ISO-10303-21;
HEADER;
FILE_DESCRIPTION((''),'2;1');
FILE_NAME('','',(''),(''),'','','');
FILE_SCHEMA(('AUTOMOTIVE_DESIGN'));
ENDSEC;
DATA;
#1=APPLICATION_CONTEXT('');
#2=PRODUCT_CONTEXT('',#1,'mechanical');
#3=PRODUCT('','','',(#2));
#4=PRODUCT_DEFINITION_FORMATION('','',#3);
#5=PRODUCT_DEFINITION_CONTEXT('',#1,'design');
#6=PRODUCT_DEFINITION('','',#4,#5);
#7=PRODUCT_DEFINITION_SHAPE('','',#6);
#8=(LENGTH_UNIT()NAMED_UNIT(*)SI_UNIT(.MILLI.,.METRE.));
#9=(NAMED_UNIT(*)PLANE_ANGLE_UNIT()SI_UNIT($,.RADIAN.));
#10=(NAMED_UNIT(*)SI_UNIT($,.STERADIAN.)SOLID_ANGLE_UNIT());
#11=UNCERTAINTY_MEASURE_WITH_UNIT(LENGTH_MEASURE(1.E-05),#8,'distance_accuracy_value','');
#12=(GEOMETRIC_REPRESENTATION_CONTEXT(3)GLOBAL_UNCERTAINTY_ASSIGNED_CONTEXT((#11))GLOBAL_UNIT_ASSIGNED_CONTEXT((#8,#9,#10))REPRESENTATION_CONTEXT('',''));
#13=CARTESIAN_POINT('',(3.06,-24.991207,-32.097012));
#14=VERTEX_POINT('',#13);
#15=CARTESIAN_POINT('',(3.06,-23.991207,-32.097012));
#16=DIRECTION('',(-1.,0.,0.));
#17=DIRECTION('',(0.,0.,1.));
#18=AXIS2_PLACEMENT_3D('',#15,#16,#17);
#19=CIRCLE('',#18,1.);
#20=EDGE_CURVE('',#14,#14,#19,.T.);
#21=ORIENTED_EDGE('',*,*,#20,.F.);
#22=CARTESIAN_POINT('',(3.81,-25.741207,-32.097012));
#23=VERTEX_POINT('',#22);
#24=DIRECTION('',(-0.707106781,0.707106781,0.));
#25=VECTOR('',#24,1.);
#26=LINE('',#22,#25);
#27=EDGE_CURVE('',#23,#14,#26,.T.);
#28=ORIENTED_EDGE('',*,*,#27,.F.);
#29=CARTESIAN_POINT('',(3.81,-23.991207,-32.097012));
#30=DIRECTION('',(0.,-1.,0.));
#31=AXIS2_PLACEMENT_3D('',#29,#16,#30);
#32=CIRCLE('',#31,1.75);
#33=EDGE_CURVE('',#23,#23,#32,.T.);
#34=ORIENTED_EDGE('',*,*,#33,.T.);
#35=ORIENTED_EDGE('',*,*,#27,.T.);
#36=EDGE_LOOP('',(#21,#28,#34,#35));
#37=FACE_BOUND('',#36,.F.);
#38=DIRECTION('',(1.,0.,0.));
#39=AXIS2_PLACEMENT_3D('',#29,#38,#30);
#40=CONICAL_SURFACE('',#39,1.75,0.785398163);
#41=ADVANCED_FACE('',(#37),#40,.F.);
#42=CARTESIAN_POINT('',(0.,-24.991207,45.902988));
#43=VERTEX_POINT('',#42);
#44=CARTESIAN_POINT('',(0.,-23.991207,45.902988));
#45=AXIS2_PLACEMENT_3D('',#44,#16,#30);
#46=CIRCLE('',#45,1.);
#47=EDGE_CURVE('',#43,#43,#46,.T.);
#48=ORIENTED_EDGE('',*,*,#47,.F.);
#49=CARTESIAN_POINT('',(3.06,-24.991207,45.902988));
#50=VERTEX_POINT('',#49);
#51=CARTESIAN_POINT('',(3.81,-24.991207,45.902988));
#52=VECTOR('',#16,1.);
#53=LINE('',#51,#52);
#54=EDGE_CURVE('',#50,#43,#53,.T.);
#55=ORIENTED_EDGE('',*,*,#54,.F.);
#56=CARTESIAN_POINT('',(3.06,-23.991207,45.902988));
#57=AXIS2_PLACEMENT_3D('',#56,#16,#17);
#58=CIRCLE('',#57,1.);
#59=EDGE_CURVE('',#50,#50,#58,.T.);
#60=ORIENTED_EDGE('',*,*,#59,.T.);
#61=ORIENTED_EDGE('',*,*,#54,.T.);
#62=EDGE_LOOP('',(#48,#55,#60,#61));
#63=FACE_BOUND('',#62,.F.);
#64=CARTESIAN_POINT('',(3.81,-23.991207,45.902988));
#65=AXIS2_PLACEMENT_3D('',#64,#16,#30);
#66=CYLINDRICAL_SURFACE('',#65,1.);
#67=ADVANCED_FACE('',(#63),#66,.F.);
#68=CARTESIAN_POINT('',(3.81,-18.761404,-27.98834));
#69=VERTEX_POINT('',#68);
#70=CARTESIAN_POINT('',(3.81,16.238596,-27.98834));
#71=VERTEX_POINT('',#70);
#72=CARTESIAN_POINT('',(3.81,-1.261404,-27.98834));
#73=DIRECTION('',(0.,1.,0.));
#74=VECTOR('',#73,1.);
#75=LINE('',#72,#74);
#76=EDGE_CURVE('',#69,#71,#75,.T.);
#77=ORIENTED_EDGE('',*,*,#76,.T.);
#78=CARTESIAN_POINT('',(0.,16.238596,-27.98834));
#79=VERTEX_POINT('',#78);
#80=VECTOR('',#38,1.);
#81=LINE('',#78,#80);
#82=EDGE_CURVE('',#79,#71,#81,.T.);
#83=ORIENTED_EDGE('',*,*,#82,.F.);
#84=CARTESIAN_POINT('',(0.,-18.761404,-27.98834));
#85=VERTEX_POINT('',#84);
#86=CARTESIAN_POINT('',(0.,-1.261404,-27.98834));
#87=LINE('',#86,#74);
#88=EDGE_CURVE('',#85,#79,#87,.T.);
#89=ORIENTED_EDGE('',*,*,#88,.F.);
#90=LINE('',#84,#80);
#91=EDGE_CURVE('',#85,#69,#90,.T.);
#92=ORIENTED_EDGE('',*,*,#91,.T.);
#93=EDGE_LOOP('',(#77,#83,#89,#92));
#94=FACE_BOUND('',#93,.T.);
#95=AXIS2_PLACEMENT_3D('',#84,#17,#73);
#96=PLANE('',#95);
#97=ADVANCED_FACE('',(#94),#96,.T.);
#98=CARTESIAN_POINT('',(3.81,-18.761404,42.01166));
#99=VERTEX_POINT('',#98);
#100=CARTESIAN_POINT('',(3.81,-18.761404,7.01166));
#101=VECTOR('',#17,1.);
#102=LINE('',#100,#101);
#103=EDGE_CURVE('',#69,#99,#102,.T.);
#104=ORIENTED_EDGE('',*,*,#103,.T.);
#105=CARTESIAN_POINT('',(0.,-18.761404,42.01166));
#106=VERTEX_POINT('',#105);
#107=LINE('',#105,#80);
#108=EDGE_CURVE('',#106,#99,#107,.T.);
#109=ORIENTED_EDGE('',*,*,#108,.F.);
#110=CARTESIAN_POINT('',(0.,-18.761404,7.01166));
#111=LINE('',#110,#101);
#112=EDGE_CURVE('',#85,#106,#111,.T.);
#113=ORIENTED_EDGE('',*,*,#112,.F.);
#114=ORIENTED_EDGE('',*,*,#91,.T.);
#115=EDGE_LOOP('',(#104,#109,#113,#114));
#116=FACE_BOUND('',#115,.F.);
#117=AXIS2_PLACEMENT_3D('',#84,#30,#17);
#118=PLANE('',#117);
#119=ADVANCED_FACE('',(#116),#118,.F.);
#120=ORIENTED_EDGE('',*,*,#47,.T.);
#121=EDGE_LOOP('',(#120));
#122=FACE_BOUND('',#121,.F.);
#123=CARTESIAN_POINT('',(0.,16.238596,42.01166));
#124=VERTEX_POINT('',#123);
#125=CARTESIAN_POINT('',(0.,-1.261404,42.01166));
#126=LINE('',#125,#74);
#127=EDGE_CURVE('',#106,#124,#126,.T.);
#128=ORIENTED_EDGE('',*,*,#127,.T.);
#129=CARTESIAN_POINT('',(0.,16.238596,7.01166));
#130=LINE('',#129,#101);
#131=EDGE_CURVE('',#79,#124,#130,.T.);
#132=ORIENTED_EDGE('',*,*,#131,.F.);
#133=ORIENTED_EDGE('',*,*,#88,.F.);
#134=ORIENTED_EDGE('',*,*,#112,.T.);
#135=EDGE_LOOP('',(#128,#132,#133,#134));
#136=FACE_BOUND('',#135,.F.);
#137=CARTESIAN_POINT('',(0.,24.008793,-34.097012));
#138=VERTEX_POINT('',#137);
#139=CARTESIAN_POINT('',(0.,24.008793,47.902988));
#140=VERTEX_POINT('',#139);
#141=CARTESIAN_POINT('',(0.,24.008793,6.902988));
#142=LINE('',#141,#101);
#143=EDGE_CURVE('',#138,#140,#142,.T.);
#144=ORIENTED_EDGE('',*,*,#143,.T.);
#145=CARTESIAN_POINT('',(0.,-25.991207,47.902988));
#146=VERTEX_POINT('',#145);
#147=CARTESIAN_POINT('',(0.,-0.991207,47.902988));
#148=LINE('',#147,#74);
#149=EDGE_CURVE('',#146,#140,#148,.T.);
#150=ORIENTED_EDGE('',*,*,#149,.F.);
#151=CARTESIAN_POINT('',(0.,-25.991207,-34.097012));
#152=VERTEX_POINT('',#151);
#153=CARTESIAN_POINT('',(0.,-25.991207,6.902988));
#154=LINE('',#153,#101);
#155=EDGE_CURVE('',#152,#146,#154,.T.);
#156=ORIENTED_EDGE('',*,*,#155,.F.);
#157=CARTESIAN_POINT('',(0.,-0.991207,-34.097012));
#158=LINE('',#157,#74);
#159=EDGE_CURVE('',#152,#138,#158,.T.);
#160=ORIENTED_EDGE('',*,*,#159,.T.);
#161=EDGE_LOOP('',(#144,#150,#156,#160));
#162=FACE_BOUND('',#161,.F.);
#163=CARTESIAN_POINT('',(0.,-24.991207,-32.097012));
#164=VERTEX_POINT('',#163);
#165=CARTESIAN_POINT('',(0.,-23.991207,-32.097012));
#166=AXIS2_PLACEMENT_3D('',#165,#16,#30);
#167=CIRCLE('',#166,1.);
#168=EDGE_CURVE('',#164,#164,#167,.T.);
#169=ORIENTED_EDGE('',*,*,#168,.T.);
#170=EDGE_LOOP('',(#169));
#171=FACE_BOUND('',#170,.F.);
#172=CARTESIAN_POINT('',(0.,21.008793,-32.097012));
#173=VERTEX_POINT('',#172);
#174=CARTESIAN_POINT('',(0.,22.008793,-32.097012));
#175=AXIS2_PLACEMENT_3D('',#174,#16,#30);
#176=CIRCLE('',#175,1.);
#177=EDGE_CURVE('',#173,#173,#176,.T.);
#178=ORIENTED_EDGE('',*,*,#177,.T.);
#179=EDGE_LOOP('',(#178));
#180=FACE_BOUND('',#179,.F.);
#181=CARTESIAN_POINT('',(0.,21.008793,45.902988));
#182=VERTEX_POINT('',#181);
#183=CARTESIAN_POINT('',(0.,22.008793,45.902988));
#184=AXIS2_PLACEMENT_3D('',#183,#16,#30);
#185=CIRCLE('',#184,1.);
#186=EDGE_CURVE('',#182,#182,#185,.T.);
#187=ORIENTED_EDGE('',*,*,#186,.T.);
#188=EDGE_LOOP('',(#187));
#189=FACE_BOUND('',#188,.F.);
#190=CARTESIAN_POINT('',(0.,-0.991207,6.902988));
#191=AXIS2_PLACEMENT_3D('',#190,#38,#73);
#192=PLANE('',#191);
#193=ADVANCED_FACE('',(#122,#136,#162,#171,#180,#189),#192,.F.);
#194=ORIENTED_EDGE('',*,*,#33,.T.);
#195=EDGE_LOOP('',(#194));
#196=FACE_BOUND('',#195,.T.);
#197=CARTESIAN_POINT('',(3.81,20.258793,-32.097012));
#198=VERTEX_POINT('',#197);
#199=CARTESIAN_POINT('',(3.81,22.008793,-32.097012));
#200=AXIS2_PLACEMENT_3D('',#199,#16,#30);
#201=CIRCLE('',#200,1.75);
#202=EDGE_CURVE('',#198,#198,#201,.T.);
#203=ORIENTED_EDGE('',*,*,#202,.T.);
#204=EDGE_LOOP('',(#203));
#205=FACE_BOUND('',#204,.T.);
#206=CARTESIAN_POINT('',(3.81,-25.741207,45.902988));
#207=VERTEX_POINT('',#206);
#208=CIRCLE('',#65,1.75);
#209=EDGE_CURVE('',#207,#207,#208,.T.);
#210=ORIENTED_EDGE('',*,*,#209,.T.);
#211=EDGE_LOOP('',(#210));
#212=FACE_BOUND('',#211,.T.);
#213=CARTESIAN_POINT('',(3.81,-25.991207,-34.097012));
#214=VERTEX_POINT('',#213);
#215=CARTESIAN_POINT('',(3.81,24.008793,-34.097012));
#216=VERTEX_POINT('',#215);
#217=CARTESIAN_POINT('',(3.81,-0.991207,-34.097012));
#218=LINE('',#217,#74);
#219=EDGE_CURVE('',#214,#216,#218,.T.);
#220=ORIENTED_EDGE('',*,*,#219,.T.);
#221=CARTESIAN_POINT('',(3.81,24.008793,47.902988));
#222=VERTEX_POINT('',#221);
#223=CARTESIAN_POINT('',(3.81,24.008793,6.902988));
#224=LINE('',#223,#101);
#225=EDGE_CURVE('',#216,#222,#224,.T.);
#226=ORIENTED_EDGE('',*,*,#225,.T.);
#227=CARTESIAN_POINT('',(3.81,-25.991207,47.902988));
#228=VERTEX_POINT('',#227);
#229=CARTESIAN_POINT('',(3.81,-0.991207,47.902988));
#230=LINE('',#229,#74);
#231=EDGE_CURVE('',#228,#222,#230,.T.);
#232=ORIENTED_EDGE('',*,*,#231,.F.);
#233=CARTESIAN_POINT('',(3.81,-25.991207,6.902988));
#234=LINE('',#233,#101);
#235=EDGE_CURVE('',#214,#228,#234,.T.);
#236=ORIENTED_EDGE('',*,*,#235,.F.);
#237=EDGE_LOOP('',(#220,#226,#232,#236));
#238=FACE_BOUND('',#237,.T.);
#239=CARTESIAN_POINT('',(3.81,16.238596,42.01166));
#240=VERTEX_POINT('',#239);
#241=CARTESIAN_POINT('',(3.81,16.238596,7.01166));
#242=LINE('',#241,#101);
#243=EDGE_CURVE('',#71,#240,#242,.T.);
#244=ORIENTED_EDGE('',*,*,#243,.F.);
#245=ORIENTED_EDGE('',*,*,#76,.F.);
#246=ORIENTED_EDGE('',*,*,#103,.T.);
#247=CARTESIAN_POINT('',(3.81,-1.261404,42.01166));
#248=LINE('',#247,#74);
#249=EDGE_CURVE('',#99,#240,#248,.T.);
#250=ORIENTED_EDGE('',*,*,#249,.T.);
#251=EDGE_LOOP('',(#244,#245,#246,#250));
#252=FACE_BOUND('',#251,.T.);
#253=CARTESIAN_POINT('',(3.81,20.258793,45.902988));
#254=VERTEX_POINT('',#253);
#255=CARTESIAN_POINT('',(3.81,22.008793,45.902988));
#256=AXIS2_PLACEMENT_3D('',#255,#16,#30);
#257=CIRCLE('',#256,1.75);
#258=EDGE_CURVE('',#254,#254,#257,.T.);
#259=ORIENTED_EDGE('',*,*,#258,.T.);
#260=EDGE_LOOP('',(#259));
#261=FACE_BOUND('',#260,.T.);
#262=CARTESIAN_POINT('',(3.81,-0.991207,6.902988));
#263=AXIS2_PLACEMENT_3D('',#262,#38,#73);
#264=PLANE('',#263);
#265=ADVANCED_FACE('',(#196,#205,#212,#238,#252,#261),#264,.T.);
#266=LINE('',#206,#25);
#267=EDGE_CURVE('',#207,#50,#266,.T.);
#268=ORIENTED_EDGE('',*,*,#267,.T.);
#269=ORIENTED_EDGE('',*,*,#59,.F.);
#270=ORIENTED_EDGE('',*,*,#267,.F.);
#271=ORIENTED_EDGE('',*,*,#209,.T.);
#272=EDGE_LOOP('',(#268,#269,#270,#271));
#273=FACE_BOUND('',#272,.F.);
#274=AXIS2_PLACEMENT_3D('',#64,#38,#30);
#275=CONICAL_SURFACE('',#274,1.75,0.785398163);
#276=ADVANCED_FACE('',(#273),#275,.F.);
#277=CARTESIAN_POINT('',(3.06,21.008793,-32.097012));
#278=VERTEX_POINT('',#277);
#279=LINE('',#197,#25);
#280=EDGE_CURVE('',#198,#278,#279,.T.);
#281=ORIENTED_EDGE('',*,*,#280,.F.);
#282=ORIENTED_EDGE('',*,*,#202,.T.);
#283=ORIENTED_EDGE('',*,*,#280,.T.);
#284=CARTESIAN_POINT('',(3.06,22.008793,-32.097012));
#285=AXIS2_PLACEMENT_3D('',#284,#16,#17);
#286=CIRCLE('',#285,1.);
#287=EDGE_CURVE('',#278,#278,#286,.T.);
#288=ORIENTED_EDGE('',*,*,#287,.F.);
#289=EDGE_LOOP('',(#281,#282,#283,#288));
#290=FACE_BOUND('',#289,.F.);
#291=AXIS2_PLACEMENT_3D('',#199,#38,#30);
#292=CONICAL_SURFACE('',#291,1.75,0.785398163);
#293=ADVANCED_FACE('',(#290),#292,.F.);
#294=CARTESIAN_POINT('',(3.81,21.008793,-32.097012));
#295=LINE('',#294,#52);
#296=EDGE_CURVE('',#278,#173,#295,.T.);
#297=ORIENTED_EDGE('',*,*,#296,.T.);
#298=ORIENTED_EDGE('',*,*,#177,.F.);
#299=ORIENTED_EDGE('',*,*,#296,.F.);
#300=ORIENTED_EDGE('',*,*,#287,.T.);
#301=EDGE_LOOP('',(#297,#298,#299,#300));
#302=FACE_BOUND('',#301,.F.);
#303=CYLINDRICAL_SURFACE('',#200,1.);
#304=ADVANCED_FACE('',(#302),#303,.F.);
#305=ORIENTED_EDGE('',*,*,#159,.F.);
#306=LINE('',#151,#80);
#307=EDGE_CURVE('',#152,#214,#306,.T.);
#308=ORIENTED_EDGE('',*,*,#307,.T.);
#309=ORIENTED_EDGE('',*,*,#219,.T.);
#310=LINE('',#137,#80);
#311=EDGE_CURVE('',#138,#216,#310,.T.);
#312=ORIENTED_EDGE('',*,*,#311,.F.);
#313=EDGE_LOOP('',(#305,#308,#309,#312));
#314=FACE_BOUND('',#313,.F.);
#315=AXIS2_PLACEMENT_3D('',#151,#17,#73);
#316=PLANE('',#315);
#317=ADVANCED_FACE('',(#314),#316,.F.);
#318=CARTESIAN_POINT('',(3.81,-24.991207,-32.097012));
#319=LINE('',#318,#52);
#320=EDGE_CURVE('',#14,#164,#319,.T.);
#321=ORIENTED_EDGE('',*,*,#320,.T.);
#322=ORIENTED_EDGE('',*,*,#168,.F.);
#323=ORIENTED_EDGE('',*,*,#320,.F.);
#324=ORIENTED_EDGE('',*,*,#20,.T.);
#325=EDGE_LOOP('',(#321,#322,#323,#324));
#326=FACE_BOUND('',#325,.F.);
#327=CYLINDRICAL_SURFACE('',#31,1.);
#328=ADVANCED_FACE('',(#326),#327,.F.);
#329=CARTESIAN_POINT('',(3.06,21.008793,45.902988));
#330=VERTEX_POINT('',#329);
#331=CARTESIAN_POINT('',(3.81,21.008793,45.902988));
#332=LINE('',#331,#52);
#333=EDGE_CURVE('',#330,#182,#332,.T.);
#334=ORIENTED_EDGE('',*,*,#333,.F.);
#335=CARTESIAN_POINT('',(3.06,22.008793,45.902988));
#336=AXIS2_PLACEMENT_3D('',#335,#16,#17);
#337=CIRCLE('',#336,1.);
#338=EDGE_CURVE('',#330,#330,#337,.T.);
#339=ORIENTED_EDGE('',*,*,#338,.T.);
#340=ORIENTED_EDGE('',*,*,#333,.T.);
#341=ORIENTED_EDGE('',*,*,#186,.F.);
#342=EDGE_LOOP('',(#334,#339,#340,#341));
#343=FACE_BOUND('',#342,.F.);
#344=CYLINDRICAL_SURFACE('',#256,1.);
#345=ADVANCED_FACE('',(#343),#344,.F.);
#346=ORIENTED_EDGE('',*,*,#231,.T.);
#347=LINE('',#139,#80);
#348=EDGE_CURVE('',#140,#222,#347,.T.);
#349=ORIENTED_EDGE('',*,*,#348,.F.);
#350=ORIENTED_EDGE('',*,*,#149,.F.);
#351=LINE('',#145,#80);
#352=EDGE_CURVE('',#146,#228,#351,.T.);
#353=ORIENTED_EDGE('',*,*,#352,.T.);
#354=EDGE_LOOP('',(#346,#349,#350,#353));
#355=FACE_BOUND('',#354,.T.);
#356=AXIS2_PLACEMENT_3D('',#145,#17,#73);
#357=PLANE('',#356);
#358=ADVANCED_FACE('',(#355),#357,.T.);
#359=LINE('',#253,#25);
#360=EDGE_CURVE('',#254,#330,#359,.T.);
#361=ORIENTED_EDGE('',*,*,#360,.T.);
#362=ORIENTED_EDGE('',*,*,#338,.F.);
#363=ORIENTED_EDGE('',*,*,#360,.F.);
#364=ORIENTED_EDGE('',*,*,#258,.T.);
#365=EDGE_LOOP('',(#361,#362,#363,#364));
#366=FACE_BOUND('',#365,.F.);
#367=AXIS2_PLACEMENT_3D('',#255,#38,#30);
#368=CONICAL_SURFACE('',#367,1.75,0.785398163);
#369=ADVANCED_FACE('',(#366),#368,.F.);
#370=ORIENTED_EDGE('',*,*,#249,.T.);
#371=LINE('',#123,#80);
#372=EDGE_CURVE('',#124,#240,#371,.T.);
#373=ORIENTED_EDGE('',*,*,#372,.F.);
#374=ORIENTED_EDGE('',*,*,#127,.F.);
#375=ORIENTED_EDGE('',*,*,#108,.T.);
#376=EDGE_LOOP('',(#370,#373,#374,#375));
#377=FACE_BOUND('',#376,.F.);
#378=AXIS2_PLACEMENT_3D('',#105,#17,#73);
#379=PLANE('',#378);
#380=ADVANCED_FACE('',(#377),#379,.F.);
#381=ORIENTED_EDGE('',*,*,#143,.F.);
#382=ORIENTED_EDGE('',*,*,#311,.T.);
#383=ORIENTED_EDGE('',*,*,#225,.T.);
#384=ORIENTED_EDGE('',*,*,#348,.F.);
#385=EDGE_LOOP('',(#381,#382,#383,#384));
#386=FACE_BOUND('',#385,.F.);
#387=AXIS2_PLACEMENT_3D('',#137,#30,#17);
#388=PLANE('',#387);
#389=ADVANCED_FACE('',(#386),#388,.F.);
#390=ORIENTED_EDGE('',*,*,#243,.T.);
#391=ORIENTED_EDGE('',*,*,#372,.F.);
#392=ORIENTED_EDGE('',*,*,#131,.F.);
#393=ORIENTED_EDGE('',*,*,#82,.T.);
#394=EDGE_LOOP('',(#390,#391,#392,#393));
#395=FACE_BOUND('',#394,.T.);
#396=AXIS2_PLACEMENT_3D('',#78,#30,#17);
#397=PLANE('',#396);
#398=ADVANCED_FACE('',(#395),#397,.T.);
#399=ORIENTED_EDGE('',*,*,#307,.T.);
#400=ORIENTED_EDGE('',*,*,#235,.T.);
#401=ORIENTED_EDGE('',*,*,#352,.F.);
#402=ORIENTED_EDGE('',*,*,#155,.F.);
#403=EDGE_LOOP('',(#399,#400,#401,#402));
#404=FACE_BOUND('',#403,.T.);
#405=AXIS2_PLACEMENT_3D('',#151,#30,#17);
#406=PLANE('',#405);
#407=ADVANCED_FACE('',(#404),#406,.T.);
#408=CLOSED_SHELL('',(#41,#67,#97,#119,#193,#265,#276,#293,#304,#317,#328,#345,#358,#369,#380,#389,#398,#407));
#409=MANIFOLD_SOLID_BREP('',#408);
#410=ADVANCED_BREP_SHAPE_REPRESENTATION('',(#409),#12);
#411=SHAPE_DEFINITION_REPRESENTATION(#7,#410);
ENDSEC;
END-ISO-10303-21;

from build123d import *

# Parameters (mm, degrees)
F0_W           = 50
F0_H           = 82
F0_W_2         = 35
F0_H_2         = 70
F1_DEPTH       = 3.81
F3_D           = 2
F3_DEPTH       = 50.8
F3_CSINK_D     = 3.5
F3_CSINK_ANGLE = 90


with BuildPart() as f1:
    # F0 (on Right) → F1 (new body)
    with BuildSketch(Plane.YZ):
        with Locations((-0.991207, 6.902988)):
            Rectangle(F0_W, F0_H)
        with Locations((-1.261404, 7.01166)):
            Rectangle(F0_W_2, F0_H_2, mode=Mode.SUBTRACT)
    extrude(amount=F1_DEPTH)

    # F3
    with Locations(Plane.YZ.offset(3.81)):
        with Locations((-23.991207, 45.902988), (22.008793, 45.902988), (22.008793, -32.097012), (-23.991207, -32.097012)):
            CounterSinkHole(F3_D / 2, F3_CSINK_D / 2, depth=F3_DEPTH, counter_sink_angle=F3_CSINK_ANGLE)


solid = f1.part
